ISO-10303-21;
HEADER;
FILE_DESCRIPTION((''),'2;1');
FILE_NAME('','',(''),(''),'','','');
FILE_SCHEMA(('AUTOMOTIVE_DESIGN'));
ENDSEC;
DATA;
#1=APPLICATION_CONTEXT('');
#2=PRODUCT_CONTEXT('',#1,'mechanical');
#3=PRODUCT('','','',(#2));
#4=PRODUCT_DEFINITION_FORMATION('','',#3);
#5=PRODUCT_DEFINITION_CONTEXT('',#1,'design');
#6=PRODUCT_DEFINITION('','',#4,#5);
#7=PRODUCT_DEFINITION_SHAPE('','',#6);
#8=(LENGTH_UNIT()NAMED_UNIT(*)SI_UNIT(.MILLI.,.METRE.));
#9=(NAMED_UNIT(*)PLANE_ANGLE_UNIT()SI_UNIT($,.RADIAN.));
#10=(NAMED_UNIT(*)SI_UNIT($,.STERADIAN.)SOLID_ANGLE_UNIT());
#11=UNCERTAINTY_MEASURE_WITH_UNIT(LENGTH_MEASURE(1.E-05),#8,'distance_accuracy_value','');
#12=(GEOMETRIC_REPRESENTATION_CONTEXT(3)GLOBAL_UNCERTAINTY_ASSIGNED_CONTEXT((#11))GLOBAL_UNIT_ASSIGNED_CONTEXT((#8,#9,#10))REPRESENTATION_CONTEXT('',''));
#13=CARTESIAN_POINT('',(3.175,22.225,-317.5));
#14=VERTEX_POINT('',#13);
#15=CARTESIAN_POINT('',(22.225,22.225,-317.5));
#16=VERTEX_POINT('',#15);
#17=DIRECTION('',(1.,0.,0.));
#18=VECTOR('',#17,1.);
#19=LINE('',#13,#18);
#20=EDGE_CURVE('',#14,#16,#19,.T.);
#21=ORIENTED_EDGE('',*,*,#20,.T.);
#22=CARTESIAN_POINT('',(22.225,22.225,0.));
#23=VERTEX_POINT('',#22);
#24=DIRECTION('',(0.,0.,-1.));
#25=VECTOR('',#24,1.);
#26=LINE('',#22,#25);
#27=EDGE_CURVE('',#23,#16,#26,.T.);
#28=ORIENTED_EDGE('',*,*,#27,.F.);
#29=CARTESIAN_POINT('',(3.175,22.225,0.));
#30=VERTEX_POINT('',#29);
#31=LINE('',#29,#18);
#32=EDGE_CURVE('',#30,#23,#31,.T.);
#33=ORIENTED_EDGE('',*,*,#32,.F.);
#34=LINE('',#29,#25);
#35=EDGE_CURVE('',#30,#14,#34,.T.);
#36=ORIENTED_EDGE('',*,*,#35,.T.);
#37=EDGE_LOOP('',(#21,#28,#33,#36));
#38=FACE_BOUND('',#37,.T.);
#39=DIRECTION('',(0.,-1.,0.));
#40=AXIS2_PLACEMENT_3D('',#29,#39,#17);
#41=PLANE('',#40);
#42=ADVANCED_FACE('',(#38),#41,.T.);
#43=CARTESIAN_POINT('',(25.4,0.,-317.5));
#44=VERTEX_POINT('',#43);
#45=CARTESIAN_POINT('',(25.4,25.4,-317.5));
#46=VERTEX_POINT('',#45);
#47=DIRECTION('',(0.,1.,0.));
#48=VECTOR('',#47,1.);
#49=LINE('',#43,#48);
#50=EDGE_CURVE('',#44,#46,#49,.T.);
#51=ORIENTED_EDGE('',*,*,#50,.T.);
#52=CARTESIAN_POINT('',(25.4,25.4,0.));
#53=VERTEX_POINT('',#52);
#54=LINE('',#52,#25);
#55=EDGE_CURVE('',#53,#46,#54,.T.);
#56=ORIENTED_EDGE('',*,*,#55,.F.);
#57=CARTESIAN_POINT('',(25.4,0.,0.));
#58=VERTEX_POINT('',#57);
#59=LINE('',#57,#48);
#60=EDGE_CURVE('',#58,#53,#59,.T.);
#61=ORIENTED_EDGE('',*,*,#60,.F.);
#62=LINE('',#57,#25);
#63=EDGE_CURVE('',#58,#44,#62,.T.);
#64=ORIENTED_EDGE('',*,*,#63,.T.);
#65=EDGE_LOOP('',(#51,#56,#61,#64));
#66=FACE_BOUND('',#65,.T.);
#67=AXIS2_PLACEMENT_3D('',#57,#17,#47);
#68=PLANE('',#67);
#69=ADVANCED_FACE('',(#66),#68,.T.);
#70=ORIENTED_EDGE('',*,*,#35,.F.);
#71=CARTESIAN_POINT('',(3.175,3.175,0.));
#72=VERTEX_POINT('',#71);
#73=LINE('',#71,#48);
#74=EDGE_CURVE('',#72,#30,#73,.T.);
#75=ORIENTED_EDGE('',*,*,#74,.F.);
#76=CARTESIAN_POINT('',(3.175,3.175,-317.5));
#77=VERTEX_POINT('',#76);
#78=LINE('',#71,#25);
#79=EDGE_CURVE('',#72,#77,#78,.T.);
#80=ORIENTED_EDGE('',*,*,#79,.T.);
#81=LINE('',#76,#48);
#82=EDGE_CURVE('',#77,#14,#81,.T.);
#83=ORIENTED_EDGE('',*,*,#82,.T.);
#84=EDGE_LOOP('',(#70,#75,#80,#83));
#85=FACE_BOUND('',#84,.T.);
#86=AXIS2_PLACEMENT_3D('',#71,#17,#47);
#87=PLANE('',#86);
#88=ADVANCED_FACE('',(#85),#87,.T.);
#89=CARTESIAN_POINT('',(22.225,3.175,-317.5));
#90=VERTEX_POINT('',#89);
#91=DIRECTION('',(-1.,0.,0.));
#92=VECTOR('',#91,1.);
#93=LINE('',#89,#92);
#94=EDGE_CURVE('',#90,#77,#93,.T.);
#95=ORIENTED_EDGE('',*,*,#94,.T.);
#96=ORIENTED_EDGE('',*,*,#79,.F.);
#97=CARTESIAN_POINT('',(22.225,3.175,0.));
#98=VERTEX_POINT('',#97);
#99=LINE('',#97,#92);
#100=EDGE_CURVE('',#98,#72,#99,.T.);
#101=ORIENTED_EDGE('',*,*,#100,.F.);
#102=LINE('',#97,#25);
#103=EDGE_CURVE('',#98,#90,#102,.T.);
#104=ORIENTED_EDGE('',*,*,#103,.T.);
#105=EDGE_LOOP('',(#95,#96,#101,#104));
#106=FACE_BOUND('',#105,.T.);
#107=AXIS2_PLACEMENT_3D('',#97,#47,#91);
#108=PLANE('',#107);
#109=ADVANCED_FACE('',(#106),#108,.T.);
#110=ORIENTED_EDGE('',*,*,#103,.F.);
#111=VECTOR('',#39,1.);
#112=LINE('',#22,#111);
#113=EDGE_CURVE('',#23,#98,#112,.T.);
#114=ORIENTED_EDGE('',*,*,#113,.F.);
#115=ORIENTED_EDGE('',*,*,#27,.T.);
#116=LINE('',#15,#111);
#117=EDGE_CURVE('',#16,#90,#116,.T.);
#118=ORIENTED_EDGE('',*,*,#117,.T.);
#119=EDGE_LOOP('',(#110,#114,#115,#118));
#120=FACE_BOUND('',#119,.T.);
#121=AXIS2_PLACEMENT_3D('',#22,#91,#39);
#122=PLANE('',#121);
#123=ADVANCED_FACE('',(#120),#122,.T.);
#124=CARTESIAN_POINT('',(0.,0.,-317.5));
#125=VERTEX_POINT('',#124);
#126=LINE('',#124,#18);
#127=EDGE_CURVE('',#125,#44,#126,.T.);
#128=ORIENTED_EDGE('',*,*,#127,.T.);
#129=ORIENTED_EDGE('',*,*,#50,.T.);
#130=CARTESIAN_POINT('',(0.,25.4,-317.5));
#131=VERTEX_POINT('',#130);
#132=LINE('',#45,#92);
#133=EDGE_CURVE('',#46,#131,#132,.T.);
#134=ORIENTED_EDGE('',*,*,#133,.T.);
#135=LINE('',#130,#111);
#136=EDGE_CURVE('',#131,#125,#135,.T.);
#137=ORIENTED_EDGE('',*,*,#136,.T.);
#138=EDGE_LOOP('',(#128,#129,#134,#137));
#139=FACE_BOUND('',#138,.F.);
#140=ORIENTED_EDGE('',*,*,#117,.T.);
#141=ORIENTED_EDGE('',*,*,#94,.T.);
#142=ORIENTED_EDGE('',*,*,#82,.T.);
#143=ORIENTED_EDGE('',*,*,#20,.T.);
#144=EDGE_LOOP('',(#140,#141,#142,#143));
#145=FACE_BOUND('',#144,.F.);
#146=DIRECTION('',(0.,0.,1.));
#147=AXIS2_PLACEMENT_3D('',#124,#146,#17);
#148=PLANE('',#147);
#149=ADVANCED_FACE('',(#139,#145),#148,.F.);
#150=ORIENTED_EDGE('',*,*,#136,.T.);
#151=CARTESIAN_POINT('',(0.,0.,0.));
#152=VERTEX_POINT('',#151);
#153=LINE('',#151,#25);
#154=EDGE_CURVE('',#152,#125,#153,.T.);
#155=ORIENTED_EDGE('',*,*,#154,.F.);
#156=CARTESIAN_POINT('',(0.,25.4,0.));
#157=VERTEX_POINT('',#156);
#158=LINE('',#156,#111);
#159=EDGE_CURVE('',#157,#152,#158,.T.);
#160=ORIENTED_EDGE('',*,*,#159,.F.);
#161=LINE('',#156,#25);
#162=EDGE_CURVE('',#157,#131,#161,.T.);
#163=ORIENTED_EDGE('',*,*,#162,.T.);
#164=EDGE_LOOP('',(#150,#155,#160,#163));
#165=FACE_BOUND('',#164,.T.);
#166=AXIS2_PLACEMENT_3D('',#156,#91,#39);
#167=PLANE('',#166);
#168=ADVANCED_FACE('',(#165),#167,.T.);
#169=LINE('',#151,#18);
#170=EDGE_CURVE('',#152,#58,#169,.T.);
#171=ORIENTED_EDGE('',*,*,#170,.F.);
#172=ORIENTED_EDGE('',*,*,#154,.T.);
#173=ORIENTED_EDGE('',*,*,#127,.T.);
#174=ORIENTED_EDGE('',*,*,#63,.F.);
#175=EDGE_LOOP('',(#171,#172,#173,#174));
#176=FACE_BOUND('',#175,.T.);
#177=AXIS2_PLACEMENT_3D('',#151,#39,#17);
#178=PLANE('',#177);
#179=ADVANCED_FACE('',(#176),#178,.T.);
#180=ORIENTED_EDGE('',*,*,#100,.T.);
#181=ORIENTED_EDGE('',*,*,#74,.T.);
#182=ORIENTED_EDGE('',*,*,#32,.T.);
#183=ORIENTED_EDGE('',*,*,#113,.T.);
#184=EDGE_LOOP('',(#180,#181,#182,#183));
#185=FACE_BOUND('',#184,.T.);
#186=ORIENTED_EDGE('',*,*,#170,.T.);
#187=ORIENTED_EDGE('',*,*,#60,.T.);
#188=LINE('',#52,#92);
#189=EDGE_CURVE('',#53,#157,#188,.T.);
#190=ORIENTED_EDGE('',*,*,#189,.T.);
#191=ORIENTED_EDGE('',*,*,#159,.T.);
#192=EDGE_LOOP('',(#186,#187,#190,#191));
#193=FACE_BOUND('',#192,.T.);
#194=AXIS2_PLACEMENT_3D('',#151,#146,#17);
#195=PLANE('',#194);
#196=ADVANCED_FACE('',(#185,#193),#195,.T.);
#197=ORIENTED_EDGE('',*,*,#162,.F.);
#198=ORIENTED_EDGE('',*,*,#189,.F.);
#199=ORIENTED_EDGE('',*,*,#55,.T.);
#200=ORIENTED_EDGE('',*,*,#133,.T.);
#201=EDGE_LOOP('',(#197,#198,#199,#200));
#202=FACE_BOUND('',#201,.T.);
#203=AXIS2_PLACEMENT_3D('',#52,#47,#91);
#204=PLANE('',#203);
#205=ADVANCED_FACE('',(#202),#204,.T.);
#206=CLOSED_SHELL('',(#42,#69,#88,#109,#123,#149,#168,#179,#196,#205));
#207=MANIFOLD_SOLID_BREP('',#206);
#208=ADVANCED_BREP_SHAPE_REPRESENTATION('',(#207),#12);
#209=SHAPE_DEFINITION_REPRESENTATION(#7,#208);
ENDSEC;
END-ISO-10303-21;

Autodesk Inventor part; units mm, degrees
ref_plane "YZ Plane" through (0, 0, 0) normal (1, 0, 0) x (0, 1, 0)
ref_plane "XZ Plane" through (0, 0, 0) normal (0, 1, 0) x (-1, 0, 0)
ref_plane "XY Plane" through (0, 0, 0) normal (0, 0, 1) x (1, 0, 0)
sketch "Sketch1" plane through (0, 0, 0) normal (0, 0, 1) x (1, 0, 0)
  line L0 (0, 0) -> (25.4, 0)
  line L1 (25.4, 0) -> (25.4, 25.4)
  line L2 (25.4, 25.4) -> (0, 25.4)
  line L3 (0, 25.4) -> (0, 0)
  line L4 (3.175, 22.225) -> (22.225, 22.225)
  line L5 (22.225, 22.225) -> (22.225, 3.175)
  line L6 (22.225, 3.175) -> (3.175, 3.175)
  line L7 (3.175, 3.175) -> (3.175, 22.225)
  dimension "d0" = 25.4
  dimension "d1" = 25.4
  dimension "d2" = 3.175
extrude "Extrusion1" add sketch "Sketch1" against normal blind 317.5
properties part number "shooter carraige horizontal"
